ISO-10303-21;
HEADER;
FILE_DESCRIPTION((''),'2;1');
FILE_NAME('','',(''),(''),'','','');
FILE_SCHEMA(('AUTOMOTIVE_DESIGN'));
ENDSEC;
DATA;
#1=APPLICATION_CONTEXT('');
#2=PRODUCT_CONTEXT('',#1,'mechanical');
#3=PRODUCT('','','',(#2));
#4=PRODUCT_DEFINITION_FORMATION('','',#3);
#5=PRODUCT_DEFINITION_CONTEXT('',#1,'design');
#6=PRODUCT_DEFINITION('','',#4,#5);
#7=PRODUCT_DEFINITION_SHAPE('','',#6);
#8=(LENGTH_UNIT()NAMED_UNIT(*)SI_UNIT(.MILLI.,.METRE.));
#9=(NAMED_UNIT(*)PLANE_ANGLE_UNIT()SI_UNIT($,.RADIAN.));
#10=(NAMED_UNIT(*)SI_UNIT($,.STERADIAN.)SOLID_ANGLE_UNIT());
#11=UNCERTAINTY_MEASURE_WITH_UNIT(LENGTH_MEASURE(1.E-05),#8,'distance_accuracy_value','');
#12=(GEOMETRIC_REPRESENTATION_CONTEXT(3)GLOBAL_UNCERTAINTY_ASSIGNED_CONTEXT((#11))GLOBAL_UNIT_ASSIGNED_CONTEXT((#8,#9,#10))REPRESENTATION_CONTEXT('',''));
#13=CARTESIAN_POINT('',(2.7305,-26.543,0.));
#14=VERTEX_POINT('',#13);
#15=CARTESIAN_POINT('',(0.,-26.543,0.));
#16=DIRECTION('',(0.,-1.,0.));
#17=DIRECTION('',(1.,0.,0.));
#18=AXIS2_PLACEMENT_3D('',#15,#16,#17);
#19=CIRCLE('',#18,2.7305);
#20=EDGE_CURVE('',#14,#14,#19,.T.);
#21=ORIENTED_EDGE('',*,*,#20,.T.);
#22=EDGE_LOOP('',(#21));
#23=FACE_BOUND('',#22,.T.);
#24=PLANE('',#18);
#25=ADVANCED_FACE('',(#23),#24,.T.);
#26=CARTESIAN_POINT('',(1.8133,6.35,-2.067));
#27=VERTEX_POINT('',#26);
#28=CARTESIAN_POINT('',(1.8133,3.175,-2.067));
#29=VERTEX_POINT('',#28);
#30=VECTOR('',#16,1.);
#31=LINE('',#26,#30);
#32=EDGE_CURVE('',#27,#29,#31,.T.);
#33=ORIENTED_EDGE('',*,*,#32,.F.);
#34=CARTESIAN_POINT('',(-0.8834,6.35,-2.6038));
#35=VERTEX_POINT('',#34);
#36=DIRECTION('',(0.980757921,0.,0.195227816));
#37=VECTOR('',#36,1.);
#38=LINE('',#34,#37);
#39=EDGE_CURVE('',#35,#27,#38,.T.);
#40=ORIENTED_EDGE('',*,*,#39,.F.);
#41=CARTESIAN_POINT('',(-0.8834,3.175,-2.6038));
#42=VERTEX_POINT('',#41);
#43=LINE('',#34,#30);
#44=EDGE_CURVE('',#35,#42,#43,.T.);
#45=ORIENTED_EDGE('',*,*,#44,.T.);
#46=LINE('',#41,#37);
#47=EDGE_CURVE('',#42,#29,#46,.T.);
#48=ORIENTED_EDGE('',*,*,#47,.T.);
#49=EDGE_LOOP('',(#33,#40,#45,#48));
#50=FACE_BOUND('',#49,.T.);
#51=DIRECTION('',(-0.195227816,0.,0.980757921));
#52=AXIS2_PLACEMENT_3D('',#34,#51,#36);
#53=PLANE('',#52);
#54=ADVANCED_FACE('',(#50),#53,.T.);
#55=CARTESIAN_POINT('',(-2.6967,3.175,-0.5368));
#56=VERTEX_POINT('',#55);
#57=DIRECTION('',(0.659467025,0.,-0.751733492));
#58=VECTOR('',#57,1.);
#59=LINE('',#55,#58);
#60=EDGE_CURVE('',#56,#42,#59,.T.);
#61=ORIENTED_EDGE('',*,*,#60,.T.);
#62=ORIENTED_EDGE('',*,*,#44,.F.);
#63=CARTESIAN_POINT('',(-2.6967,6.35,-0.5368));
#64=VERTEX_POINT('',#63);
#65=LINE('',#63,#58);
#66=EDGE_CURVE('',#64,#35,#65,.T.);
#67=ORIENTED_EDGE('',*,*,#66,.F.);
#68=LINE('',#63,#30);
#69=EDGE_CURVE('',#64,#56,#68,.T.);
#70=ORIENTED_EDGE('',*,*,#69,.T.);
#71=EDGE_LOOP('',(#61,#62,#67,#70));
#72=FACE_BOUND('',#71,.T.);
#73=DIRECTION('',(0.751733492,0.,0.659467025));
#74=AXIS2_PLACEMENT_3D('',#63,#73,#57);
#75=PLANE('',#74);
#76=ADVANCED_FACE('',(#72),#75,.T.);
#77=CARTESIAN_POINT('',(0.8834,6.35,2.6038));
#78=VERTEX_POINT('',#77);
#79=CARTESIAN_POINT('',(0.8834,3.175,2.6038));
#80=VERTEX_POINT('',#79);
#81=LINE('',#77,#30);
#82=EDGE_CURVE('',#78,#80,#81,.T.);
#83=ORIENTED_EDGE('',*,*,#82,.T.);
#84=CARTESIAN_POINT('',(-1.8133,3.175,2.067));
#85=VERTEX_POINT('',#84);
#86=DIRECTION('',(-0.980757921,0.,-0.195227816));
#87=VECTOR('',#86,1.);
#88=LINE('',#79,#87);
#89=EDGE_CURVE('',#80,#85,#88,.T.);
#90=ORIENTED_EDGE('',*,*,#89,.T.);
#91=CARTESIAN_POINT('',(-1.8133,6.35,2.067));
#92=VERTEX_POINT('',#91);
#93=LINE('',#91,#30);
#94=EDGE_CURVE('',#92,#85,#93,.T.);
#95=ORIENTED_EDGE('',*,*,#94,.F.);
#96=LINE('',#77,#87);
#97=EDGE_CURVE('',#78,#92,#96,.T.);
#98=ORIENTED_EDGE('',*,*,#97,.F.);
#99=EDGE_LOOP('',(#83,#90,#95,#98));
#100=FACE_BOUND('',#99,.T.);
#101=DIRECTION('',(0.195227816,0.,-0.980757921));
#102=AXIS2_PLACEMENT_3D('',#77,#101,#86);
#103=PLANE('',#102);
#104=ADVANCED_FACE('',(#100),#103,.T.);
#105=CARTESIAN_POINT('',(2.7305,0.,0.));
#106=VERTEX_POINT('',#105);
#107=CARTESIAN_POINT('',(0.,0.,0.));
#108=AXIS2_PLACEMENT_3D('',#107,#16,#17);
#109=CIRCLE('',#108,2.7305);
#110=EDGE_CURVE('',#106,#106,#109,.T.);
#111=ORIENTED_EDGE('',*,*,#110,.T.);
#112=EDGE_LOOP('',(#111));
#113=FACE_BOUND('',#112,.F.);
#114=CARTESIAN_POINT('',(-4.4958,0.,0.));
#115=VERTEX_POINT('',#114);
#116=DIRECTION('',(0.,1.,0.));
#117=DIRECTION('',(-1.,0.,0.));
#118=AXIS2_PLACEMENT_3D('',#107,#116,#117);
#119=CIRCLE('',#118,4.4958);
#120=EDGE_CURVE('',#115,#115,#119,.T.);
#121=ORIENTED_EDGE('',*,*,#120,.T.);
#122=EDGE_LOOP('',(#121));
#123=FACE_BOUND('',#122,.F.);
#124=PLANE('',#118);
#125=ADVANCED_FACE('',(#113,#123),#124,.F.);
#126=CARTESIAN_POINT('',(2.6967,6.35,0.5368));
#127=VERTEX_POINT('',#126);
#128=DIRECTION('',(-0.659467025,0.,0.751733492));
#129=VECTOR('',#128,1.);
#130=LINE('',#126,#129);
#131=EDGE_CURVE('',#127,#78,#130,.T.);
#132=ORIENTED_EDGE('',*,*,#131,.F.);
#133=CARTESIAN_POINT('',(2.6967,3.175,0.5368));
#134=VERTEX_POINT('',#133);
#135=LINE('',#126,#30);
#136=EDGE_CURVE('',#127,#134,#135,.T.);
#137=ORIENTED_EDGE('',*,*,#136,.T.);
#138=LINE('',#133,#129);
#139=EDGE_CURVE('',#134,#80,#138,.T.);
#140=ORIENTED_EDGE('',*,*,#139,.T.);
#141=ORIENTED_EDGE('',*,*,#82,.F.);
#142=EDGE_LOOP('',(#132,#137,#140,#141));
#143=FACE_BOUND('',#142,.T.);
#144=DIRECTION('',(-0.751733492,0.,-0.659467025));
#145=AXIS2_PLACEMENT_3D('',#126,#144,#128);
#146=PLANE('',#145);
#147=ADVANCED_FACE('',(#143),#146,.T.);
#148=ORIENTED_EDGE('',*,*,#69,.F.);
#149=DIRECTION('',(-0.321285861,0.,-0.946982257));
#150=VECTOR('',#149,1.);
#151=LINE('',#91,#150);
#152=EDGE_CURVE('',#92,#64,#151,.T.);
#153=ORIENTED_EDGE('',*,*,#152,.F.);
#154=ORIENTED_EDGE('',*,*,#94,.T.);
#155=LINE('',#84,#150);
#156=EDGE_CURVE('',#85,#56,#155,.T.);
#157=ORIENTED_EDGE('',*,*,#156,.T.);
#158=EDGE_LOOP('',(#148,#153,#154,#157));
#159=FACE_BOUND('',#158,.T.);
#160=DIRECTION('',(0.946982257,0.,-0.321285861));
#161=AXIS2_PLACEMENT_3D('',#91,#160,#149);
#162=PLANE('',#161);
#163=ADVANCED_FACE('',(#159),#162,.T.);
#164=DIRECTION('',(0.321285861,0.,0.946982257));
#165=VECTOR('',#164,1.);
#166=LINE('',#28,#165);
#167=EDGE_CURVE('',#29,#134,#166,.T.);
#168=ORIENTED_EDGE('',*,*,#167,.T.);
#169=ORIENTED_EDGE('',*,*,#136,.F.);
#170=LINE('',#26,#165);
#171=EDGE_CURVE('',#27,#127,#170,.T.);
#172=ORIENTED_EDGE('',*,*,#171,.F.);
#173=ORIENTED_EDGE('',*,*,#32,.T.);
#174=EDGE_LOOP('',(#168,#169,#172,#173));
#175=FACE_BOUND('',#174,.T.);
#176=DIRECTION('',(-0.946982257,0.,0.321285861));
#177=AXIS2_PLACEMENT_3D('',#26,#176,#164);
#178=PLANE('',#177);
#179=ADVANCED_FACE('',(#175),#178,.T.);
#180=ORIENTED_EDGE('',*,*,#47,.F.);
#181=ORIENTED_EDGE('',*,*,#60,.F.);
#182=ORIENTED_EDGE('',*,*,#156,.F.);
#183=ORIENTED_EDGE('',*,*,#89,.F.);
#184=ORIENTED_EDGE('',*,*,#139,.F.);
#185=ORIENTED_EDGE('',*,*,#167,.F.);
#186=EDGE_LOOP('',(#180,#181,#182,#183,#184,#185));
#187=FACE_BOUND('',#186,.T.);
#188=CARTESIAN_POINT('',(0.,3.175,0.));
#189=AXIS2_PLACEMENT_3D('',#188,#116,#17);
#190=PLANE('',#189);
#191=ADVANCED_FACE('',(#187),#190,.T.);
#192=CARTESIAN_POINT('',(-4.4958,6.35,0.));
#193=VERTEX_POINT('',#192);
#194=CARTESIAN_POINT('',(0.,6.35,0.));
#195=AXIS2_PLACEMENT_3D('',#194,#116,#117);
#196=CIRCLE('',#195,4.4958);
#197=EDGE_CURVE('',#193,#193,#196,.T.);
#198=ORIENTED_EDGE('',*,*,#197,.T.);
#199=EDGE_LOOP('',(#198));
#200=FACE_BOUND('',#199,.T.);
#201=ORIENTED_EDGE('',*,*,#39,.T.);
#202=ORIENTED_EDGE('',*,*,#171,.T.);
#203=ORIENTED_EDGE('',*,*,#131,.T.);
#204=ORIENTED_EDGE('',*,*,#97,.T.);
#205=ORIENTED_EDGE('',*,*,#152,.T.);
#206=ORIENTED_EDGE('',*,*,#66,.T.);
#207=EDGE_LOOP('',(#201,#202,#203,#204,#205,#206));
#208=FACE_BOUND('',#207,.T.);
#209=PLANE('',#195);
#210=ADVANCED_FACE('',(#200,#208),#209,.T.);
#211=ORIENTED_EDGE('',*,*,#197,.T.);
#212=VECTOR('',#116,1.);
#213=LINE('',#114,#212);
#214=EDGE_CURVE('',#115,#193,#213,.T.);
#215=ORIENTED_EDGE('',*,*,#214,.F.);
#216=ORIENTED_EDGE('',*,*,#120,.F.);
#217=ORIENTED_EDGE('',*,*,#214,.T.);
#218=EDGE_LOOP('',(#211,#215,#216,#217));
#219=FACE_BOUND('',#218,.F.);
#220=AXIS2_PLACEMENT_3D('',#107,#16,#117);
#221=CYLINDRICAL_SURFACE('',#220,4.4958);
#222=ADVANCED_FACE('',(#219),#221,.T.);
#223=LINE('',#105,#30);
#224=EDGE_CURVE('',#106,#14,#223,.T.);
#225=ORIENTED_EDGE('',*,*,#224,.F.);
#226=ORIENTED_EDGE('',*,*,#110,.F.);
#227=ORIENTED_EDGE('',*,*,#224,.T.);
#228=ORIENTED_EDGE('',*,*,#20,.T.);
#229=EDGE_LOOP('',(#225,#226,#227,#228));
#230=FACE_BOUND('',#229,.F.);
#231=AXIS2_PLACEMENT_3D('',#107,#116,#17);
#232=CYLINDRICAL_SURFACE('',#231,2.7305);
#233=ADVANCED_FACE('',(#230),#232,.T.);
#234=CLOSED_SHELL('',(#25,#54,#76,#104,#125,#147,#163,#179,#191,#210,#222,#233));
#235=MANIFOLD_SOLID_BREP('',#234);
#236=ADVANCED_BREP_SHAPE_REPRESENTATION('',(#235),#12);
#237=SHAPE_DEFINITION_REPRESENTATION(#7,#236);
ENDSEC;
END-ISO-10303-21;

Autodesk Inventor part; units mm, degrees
ref_plane "YZ Plane" through (0, 0, 0) normal (1, 0, 0) x (0, 1, 0)
ref_plane "XZ Plane" through (0, 0, 0) normal (0, 1, 0) x (-1, 0, 0)
ref_plane "XY Plane" through (0, 0, 0) normal (0, 0, 1) x (1, 0, 0)
sketch "Sketch1" plane through (0, 0, 0) normal (0, 1, 0) x (-1, 0, 0)
  circle A0 centre (0, 0) radius 4.4958
  dimension "d0" = 8.9916
extrude "Extrusion1" add sketch "Sketch1" along normal blind 6.35
sketch "Sketch2" plane through (0, 0, 0) normal (0, -1, 0) x (1, 0, 0)
  point P0 (0, 0)
sketch "Sketch4" plane through (0, 6.35, 0) normal (0, 1, 0) x (1, 0, 0)
  circle A0 centre (0, 0) radius 4.4958 projected
  line L0 (-0.8834, 2.6038) -> (1.8133, 2.067)
  line L1 (1.8133, 2.067) -> (2.6967, -0.5368)
  line L2 (2.6967, -0.5368) -> (0.8834, -2.6038)
  line L3 (0.8834, -2.6038) -> (-1.8133, -2.067)
  line L4 (-1.8133, -2.067) -> (-2.6967, 0.5368)
  line L5 (-2.6967, 0.5368) -> (-0.8834, 2.6038)
  dimension "d4" = 4.7625
extrude "Extrusion2" cut sketch "Sketch4" against normal blind 3.175 contours L0 L1 L2 L3 L4 L5
sketch "Sketch5" plane through (0, 0, 0) normal (0, -1, 0) x (1, 0, 0)
  circle A0 centre (0, 0) radius 4.4958 projected
  circle A1 centre (0, 0) radius 2.7305
  dimension "d7" = 5.461
extrude "Extrusion3" add sketch "Sketch5" along normal blind 26.543 contours A1
thread "Thread1" size "1/4-20 UNC" class "2A" standard "ANSI Unified Screw Threads" full length
properties part number "WheelBracketScrew"
